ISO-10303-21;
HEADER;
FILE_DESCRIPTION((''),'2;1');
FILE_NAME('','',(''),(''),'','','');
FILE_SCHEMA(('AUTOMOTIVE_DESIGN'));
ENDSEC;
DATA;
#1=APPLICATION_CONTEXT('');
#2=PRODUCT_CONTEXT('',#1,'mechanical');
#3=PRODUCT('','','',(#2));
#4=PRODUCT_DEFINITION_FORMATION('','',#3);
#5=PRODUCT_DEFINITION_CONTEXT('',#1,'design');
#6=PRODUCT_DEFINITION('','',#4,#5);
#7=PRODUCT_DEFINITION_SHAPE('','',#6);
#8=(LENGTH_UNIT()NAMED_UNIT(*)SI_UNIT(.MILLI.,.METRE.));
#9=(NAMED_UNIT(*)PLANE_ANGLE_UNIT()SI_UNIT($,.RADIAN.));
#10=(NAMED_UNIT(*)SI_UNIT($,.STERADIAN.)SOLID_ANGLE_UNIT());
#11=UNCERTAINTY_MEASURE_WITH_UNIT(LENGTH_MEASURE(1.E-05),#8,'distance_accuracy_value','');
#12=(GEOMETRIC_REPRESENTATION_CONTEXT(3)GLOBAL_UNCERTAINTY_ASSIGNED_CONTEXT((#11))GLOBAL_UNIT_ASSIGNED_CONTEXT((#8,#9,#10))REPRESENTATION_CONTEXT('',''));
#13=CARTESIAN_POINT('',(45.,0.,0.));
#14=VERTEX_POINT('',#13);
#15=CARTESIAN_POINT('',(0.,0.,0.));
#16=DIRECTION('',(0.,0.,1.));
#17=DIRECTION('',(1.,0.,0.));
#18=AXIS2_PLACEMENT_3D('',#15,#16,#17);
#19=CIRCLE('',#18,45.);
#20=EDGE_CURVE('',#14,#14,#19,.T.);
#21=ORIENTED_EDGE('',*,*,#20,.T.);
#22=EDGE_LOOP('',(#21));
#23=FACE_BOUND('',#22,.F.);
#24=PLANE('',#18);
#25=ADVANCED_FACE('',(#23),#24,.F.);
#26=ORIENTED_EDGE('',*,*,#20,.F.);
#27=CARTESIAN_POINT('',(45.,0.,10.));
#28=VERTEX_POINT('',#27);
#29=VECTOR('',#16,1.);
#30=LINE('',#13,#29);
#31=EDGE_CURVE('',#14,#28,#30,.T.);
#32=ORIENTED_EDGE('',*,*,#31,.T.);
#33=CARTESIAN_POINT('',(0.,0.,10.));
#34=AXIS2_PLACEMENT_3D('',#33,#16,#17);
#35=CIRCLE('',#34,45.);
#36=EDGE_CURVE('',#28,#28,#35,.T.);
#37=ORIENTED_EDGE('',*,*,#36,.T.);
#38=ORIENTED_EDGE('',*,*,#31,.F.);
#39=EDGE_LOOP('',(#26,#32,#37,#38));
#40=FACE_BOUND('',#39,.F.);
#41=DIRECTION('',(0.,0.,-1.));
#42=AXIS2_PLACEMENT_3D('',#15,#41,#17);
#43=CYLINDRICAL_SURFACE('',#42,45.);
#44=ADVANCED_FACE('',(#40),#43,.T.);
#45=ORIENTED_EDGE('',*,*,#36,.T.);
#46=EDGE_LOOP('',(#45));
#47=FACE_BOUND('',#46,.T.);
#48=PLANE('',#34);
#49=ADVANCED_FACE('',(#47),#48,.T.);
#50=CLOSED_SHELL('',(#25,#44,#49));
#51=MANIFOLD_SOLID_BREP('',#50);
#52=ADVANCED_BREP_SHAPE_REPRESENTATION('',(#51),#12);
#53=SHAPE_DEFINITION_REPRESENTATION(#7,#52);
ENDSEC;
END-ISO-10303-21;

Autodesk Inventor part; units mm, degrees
ref_plane "YZ Plane" through (0, 0, 0) normal (1, 0, 0) x (0, 1, 0)
ref_plane "XZ Plane" through (0, 0, 0) normal (0, 1, 0) x (-1, 0, 0)
ref_plane "XY Plane" through (0, 0, 0) normal (0, 0, 1) x (1, 0, 0)
sketch "草圖1" plane through (0, 0, 0) normal (0, 0, 1) x (1, 0, 0)
  circle A0 centre (0, 0) radius 45
  dimension "d0" = 90
extrude "擠出1" add sketch "草圖1" along normal blind 10
sketch "草圖2" plane through (0, 0, 10) normal (0, 0, 1) x (1, 0, 0)
  line L0 (0, 0) -> (44.627, 0)
properties part number "t2"
